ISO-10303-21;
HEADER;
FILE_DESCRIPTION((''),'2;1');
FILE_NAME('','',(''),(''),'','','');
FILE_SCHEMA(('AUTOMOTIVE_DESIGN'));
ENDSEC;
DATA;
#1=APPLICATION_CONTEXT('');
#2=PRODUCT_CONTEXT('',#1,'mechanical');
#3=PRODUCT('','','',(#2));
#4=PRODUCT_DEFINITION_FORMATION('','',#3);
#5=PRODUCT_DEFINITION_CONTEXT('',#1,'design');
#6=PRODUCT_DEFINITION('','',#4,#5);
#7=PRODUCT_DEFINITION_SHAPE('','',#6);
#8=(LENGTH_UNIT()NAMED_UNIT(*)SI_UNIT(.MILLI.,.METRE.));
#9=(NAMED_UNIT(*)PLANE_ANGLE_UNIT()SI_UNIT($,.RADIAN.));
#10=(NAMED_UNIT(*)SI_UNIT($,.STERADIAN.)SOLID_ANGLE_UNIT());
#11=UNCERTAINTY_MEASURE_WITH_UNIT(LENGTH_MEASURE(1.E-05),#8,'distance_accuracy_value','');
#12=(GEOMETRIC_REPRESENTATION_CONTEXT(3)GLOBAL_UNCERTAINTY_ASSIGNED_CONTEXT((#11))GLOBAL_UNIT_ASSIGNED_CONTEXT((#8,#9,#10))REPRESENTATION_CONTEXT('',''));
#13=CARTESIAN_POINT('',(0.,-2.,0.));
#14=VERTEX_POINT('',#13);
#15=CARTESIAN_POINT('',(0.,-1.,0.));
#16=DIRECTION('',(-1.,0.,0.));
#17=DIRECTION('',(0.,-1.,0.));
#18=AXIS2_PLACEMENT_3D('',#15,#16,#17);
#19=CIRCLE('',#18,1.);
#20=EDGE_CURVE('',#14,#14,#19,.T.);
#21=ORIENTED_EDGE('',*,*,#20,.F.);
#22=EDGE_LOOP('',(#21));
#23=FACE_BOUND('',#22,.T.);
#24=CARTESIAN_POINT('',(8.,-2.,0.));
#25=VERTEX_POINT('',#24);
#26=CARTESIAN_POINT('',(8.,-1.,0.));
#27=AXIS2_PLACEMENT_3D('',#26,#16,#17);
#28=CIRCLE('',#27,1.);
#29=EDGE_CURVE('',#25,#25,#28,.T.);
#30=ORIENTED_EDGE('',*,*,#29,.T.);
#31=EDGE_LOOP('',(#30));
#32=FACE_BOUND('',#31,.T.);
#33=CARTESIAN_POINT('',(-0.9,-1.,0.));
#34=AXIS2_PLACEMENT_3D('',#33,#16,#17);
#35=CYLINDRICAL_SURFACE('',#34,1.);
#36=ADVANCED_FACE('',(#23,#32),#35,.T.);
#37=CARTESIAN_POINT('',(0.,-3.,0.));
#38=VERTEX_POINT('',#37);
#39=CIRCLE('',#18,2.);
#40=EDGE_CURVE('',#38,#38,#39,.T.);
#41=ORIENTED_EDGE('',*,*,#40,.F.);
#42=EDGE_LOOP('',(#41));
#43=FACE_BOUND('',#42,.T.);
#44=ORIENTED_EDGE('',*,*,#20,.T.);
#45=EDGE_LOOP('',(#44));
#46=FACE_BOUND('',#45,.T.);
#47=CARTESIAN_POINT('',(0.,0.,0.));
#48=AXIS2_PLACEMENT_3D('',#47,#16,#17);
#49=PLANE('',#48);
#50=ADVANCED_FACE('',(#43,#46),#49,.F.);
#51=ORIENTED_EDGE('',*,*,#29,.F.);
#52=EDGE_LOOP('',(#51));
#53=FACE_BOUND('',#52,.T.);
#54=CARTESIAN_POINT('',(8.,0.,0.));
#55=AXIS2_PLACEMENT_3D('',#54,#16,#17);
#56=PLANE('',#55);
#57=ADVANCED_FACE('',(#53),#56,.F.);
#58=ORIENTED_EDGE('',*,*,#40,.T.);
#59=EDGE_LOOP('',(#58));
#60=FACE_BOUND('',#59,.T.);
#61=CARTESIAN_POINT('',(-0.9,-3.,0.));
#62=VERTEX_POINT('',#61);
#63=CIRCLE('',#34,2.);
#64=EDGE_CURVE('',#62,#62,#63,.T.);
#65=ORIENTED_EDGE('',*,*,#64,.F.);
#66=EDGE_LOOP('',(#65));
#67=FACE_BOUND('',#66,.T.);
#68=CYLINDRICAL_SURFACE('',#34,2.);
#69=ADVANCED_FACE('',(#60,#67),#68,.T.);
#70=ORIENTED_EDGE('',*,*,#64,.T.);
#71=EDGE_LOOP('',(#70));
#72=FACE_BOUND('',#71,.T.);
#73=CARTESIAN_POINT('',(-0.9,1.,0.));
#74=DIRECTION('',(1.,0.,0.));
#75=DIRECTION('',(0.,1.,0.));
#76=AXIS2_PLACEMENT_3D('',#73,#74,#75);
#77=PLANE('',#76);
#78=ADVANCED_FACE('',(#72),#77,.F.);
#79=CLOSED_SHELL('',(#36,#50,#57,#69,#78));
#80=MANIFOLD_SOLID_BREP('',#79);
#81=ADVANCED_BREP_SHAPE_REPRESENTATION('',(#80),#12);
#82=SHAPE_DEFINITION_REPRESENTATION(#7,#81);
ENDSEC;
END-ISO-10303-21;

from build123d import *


with BuildPart() as part:
    # 草图1 → 旋转1 (revolve)
    with BuildSketch(Plane.XY, mode=Mode.PRIVATE) as revolve_1_sk:
        Polygon((0, 0), (8, 0), (8, -1), (-0.9, -1), (-0.9, 1), (0, 1), align=None)
    revolve(revolve_1_sk.sketch.rotate(Axis((-0.9, -1, 0), (1, 0, 0)), 180), axis=Axis((-0.9, -1, 0), (1, 0, 0)))


solid = part.part
